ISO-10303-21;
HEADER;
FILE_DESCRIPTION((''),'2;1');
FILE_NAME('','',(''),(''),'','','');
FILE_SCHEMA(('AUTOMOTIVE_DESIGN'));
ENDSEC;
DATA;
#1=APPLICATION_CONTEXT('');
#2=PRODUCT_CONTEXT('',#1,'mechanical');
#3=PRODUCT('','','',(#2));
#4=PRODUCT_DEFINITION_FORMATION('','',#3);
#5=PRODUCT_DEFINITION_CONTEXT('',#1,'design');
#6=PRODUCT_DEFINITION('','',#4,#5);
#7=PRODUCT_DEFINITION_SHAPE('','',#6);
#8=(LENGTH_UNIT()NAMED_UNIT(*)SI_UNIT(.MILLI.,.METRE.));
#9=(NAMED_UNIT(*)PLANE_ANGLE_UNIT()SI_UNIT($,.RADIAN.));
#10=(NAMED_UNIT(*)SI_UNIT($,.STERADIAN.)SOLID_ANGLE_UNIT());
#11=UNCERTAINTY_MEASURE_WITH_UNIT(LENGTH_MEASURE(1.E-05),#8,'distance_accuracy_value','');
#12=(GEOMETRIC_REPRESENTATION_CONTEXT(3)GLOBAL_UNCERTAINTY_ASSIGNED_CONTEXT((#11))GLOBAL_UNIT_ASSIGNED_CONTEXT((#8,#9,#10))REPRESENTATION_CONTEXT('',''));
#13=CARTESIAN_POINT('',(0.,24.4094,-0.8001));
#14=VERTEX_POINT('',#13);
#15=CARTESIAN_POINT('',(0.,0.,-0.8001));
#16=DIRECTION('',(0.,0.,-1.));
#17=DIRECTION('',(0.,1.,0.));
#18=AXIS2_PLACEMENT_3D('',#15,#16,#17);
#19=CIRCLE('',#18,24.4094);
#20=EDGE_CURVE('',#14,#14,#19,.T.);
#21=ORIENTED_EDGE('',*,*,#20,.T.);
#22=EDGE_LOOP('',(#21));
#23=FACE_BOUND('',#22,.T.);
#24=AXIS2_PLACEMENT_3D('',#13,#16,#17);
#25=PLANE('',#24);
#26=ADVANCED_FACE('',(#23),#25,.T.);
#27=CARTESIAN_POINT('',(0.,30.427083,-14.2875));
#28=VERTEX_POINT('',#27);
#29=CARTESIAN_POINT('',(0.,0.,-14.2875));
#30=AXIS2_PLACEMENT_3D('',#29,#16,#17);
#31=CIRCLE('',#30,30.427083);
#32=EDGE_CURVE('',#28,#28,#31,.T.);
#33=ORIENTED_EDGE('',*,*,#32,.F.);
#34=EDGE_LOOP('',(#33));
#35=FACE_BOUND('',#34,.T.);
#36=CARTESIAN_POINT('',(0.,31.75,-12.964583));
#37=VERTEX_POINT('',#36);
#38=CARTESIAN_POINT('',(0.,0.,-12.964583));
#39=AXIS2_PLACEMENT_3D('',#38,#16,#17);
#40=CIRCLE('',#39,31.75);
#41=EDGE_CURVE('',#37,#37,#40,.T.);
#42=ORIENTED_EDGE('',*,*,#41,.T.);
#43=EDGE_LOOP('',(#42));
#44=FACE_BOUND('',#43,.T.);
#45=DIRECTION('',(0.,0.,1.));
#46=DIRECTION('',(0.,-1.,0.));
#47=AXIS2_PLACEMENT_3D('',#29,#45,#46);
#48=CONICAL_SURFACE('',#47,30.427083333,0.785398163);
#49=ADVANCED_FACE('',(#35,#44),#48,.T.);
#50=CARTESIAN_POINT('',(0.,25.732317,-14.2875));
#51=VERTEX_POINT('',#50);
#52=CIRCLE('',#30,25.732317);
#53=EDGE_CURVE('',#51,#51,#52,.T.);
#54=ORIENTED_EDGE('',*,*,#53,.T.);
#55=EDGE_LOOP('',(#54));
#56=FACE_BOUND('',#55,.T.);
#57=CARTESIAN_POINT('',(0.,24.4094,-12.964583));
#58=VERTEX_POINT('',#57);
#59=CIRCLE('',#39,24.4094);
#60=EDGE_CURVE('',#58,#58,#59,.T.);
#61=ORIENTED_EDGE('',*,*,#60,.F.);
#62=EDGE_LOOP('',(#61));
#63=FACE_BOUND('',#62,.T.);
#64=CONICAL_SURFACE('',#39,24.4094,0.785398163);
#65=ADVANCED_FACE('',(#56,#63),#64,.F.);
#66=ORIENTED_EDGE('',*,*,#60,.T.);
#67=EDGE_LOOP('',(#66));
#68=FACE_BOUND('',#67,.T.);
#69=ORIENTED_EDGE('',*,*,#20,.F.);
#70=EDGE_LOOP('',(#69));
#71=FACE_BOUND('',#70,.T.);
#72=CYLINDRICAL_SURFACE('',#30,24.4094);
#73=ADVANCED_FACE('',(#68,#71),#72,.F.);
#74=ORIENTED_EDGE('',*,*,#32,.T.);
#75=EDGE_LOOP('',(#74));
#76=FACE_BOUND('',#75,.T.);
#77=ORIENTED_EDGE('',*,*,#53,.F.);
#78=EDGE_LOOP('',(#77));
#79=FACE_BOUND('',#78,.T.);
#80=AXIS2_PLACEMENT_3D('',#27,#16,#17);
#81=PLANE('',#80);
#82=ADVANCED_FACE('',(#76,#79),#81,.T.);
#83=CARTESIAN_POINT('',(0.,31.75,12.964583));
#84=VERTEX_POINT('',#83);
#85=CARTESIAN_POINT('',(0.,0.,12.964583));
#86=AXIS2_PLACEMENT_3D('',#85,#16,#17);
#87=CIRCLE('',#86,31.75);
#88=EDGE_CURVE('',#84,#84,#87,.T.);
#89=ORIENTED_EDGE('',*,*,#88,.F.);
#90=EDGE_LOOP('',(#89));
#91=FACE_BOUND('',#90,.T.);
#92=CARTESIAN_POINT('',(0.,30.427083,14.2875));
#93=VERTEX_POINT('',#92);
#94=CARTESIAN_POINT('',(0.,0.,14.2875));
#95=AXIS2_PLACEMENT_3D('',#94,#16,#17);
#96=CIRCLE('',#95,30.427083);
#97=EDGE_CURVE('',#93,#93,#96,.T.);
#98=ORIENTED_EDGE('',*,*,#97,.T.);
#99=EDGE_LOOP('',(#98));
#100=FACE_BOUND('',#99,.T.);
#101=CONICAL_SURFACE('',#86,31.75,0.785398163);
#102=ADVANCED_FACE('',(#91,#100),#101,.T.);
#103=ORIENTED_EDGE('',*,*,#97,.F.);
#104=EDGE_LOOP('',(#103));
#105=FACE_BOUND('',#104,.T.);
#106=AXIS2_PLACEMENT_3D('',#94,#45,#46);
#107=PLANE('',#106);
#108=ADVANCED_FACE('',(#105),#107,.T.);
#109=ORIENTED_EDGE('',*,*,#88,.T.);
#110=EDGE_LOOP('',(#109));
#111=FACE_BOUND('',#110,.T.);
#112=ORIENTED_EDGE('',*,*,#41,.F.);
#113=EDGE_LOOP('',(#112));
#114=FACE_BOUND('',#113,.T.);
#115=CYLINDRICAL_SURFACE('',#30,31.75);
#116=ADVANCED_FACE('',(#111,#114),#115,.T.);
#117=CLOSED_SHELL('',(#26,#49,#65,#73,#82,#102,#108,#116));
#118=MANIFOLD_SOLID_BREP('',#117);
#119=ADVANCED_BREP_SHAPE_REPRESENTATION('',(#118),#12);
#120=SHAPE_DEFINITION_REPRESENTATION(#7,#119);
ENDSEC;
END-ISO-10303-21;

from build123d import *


with BuildPart() as part:
    # Sketch2 → Revolve1 (revolve)
    with BuildSketch(Plane(origin=(0, 0, 0), x_dir=(0, 0, -1), z_dir=(1, 0, 0))):
        Polygon((-14.2875, 0), (-14.2875, 30.427083333), (-12.964583333, 31.75), (12.964583333, 31.75), (14.2875, 30.427083333), (14.2875, 25.732316667), (12.964583333, 24.4094), (0.8001, 24.4094), (0.8001, 0), align=None)
    revolve(axis=Axis((0, 0, -14.2875), (0, 0, 1)))


solid = part.part
